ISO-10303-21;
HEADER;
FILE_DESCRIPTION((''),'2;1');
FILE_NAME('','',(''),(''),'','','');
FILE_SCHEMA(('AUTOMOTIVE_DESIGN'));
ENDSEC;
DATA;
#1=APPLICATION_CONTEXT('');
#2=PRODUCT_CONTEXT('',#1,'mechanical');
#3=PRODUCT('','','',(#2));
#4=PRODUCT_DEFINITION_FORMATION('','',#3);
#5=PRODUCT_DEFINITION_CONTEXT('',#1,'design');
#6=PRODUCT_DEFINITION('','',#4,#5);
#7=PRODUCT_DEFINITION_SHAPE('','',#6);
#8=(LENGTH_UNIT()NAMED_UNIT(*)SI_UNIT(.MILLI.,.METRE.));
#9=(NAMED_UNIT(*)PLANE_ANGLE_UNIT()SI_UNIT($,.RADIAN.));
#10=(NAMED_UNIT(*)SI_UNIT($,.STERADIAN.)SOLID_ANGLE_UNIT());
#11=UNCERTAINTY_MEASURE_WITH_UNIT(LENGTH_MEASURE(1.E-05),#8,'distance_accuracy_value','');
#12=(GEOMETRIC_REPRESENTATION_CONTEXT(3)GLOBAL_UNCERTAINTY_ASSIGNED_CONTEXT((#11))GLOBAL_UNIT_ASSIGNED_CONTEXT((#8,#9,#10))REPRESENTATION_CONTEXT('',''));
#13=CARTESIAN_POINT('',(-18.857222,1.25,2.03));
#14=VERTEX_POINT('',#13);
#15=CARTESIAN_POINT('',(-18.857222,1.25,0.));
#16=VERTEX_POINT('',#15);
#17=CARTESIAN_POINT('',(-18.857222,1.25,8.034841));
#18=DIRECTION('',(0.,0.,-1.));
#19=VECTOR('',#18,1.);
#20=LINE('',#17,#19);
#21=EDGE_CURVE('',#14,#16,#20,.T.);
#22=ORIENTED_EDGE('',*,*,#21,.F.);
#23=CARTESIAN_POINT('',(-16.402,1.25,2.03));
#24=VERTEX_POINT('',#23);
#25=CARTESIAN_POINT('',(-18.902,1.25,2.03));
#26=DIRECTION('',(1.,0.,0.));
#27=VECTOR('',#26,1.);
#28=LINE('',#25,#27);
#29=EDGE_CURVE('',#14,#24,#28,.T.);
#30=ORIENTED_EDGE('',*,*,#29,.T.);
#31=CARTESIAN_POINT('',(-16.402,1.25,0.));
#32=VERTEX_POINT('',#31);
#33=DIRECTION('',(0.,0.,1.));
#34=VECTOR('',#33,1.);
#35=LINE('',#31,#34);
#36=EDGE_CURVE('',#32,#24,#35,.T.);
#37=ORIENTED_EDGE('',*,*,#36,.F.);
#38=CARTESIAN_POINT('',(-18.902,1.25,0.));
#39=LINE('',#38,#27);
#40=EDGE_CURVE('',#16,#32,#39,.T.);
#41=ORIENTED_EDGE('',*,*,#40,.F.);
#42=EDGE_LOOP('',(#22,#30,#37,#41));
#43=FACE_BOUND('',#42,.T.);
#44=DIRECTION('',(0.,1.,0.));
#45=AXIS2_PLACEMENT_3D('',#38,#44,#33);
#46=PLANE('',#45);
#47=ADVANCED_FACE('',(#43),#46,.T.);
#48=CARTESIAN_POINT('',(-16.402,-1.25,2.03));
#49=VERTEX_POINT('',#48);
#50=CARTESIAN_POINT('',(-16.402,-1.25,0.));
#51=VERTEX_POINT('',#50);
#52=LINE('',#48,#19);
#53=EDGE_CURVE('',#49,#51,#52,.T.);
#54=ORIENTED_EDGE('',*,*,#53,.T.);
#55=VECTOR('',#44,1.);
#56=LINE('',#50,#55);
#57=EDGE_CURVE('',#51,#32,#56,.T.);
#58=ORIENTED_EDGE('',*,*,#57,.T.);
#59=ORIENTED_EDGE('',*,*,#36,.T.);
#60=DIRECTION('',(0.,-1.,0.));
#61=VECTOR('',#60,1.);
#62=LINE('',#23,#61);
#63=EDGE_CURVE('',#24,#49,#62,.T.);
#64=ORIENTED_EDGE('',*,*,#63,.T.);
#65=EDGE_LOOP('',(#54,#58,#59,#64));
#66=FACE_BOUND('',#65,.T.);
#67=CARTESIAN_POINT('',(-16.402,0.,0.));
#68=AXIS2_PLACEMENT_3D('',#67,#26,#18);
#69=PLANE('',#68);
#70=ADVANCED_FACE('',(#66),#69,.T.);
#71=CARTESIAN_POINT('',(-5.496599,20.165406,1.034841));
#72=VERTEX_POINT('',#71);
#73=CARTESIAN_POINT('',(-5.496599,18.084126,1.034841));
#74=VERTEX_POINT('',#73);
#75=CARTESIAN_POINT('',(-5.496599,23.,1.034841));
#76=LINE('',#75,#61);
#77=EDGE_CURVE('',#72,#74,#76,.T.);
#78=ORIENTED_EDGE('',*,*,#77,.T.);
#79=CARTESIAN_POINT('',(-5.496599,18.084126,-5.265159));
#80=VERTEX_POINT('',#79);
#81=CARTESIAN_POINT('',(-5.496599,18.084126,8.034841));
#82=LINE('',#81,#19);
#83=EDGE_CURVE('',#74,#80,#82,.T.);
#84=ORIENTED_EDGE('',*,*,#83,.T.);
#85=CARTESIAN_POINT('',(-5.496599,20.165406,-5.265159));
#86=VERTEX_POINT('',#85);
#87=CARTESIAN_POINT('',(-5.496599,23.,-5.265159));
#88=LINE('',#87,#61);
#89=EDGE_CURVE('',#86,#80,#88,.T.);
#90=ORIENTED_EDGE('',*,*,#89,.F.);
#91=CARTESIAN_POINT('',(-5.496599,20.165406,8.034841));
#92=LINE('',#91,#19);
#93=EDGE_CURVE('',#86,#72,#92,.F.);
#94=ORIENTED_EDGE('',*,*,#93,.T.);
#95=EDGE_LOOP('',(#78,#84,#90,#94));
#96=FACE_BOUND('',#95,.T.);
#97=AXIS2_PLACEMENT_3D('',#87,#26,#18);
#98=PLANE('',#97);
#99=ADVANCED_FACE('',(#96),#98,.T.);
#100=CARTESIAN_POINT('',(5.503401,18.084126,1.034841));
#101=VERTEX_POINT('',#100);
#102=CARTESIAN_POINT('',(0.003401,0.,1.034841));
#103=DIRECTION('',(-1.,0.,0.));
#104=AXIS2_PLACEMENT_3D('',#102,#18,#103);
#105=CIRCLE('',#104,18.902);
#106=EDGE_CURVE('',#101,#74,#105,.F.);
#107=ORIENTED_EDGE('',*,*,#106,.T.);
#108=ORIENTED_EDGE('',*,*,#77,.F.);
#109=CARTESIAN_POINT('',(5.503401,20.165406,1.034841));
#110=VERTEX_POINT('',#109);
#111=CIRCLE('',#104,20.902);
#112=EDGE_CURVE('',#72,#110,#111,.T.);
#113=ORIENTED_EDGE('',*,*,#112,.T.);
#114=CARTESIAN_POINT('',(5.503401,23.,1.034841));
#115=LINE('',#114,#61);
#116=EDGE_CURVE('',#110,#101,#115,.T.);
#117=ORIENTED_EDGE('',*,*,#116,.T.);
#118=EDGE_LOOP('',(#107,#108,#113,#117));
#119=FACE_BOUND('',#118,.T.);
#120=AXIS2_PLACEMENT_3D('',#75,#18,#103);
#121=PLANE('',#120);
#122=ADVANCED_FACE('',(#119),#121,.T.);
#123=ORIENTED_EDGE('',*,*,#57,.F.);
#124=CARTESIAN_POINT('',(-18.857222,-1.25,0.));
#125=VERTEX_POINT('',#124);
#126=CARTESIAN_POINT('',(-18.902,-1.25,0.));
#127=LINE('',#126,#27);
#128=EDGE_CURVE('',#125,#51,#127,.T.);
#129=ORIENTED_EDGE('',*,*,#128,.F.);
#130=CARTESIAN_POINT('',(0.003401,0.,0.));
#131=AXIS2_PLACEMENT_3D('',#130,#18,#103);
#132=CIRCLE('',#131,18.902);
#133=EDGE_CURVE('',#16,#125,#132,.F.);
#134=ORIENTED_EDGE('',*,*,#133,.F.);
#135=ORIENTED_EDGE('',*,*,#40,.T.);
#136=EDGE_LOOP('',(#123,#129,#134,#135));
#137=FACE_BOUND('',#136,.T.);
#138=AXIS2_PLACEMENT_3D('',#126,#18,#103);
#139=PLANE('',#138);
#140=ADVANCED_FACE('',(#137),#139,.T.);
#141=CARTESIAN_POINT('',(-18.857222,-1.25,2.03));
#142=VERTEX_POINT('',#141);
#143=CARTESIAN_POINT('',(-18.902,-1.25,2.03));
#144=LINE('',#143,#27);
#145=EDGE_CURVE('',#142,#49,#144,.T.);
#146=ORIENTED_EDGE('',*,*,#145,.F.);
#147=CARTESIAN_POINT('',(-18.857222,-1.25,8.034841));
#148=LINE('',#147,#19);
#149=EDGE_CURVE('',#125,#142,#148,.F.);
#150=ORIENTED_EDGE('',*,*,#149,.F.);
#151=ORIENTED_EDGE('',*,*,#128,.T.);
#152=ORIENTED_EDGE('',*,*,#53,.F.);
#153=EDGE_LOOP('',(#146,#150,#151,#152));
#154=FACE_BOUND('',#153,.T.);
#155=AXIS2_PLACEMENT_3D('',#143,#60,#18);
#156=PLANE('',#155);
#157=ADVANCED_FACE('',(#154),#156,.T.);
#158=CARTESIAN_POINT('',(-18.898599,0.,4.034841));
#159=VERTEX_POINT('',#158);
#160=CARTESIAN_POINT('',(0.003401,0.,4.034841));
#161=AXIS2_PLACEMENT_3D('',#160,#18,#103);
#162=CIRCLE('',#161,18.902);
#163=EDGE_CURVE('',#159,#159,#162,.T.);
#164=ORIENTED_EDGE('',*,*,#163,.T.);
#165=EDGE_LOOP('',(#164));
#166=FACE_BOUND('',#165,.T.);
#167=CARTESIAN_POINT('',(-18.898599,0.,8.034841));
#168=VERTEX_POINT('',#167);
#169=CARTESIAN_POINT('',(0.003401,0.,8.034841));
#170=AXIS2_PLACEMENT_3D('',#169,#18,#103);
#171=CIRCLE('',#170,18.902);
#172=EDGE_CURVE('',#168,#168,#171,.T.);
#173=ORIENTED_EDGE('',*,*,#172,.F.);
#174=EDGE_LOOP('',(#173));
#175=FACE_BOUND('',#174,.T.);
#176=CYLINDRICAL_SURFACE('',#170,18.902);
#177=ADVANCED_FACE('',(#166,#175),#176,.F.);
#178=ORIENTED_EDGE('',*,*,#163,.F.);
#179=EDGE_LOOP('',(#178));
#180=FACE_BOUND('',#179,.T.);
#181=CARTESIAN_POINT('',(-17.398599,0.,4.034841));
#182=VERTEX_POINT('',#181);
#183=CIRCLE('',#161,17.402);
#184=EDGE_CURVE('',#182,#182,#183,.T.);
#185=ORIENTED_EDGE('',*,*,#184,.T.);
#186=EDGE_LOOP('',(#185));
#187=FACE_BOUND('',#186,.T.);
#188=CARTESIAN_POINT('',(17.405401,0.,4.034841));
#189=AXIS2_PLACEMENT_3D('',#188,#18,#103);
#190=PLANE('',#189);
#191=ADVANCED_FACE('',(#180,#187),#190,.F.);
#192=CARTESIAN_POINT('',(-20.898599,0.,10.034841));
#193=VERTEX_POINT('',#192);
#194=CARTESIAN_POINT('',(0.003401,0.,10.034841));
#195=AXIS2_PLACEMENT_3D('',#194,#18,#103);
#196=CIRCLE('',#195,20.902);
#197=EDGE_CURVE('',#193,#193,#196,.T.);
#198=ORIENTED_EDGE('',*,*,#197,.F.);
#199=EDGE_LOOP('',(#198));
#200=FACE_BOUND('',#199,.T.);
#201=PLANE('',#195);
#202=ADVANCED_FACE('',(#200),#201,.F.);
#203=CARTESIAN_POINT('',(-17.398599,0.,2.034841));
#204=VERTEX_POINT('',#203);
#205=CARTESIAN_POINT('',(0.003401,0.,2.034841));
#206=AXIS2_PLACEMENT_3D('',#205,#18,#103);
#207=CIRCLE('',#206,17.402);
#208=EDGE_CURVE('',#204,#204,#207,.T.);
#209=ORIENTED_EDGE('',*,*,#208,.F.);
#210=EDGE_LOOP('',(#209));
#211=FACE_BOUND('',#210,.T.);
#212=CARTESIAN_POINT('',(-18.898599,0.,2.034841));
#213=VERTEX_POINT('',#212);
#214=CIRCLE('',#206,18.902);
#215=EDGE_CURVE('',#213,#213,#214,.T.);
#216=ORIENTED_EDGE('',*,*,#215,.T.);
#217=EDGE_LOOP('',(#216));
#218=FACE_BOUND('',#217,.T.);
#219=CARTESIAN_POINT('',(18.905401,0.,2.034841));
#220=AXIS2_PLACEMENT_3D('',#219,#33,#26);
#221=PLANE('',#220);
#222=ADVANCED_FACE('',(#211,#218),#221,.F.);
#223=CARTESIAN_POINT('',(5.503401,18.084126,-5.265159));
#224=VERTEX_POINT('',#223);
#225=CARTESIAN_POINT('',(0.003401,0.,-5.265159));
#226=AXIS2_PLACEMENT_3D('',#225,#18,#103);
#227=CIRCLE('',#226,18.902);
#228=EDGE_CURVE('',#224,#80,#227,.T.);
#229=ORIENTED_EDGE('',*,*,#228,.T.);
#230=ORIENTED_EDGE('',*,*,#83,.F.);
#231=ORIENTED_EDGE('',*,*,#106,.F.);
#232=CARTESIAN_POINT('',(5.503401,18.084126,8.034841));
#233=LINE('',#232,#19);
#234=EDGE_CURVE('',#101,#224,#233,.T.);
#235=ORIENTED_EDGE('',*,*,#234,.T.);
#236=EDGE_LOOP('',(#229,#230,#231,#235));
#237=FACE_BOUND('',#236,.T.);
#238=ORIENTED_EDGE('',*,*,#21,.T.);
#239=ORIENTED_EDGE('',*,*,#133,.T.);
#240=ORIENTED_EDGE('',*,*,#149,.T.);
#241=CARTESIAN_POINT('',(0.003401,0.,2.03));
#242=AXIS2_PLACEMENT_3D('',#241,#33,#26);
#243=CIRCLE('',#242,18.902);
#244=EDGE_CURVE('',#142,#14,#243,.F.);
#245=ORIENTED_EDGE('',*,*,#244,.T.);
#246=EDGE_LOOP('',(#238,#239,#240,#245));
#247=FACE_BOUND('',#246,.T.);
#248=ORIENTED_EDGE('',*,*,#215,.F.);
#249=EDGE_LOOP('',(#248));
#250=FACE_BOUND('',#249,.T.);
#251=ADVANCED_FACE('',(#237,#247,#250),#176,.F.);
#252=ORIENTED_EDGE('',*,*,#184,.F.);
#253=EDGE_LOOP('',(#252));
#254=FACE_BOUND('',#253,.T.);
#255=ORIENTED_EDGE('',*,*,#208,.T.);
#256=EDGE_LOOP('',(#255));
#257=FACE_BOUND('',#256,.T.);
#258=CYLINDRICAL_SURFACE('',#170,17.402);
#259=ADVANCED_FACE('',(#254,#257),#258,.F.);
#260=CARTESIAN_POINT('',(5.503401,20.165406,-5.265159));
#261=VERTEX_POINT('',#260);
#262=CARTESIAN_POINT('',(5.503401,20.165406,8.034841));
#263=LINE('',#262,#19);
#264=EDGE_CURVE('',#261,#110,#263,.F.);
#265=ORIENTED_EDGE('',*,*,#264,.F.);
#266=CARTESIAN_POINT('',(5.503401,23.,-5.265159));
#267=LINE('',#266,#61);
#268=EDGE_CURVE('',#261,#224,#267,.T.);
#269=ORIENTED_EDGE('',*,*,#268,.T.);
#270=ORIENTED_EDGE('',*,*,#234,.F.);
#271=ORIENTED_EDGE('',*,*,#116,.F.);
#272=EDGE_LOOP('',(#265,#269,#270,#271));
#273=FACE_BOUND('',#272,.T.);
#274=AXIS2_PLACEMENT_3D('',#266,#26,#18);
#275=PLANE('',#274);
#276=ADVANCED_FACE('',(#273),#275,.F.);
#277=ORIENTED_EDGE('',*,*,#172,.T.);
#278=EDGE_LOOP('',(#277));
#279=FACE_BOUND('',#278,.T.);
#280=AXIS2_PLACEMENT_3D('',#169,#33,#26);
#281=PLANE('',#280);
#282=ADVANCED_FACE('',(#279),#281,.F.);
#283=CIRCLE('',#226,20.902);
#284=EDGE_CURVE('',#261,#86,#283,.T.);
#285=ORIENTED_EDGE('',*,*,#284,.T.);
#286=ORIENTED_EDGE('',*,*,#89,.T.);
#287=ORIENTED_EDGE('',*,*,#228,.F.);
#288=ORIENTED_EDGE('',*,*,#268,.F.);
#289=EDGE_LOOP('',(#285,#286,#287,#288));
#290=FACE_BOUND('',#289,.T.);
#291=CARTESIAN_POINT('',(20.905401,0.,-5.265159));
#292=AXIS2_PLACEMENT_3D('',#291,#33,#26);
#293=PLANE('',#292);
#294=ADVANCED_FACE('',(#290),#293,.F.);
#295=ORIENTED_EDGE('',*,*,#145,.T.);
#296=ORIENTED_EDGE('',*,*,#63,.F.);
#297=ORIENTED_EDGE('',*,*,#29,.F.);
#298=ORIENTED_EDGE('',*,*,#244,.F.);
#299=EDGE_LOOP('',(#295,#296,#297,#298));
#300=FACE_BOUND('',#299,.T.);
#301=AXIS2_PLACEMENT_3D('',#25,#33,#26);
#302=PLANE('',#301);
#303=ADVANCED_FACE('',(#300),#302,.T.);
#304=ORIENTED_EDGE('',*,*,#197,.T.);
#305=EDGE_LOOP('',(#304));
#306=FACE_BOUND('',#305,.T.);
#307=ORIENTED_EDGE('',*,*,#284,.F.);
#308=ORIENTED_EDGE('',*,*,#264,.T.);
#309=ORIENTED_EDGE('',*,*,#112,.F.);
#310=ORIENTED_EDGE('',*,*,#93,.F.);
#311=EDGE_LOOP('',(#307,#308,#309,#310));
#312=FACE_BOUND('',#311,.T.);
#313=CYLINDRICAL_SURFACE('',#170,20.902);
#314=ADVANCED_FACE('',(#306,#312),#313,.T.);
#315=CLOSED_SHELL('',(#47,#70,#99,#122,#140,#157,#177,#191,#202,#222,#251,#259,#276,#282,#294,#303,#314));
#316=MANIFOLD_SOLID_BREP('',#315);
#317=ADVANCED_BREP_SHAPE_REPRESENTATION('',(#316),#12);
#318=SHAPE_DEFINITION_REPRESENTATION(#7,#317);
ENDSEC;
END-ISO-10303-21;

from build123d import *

# Parameters (mm, degrees)
SKIZZE3_W                       = 2.03
SKIZZE3_H                       = 2.5
AUFSATZ_LINEAR_AUSTRAGEN1_DEPTH = 18.902
SKIZZE3_3_W                     = 2.03
SKIZZE3_3_H                     = 2.5
SCHNITT_LINEAR_AUSTRAGEN3_DEPTH = 16.402
SKIZZE2_W                       = 11
SKIZZE2_H                       = 6.3
SCHNITT_LINEAR_AUSTRAGEN4_DEPTH = 23


with BuildPart() as part:
    # Skizze1 → Rotation2 (revolve)
    with BuildSketch(Plane(origin=(0, 0, 0), x_dir=(1, 0, 0), z_dir=(0, 1, 0))):
        Polygon((0.00340061, -8.034840547), (0.00340061, -10.034840547), (20.90540061, -10.034840547), (20.90540061, 5.265159453), (18.90540061, 5.265159453), (18.90540061, -2.034840547), (17.40540061, -2.034840547), (17.40540061, -4.034840547), (18.90540061, -4.034840547), (18.90540061, -8.034840547), align=None)
    revolve(axis=Axis((0.00340061, 0, 8.034840547), (0, 0, 1)))

    # Skizze3 → Aufsatz-Linear austragen1 (add)
    with BuildSketch(Plane(origin=(0, 0, 0), x_dir=(0, 0, -1), z_dir=(1, 0, 0))):
        with Locations((-1.015, 0)):
            Rectangle(SKIZZE3_W, SKIZZE3_H)
    extrude(amount=-AUFSATZ_LINEAR_AUSTRAGEN1_DEPTH)

    # Skizze3<3> → Schnitt-Linear austragen3 (cut)
    with BuildSketch(Plane(origin=(0, 0, 0), x_dir=(0, 0, -1), z_dir=(1, 0, 0))):
        with Locations((-1.015, 0)):
            Rectangle(SKIZZE3_3_W, SKIZZE3_3_H)
    extrude(amount=-SCHNITT_LINEAR_AUSTRAGEN3_DEPTH, mode=Mode.SUBTRACT)

    # Skizze2 → Schnitt-Linear austragen4 (cut)
    with BuildSketch(Plane(origin=(0, 0, 0), x_dir=(1, 0, 0), z_dir=(0, 1, 0))):
        with Locations((0.00340061, 2.115159453)):
            Rectangle(SKIZZE2_W, SKIZZE2_H)
    extrude(amount=SCHNITT_LINEAR_AUSTRAGEN4_DEPTH, mode=Mode.SUBTRACT)


solid = part.part
